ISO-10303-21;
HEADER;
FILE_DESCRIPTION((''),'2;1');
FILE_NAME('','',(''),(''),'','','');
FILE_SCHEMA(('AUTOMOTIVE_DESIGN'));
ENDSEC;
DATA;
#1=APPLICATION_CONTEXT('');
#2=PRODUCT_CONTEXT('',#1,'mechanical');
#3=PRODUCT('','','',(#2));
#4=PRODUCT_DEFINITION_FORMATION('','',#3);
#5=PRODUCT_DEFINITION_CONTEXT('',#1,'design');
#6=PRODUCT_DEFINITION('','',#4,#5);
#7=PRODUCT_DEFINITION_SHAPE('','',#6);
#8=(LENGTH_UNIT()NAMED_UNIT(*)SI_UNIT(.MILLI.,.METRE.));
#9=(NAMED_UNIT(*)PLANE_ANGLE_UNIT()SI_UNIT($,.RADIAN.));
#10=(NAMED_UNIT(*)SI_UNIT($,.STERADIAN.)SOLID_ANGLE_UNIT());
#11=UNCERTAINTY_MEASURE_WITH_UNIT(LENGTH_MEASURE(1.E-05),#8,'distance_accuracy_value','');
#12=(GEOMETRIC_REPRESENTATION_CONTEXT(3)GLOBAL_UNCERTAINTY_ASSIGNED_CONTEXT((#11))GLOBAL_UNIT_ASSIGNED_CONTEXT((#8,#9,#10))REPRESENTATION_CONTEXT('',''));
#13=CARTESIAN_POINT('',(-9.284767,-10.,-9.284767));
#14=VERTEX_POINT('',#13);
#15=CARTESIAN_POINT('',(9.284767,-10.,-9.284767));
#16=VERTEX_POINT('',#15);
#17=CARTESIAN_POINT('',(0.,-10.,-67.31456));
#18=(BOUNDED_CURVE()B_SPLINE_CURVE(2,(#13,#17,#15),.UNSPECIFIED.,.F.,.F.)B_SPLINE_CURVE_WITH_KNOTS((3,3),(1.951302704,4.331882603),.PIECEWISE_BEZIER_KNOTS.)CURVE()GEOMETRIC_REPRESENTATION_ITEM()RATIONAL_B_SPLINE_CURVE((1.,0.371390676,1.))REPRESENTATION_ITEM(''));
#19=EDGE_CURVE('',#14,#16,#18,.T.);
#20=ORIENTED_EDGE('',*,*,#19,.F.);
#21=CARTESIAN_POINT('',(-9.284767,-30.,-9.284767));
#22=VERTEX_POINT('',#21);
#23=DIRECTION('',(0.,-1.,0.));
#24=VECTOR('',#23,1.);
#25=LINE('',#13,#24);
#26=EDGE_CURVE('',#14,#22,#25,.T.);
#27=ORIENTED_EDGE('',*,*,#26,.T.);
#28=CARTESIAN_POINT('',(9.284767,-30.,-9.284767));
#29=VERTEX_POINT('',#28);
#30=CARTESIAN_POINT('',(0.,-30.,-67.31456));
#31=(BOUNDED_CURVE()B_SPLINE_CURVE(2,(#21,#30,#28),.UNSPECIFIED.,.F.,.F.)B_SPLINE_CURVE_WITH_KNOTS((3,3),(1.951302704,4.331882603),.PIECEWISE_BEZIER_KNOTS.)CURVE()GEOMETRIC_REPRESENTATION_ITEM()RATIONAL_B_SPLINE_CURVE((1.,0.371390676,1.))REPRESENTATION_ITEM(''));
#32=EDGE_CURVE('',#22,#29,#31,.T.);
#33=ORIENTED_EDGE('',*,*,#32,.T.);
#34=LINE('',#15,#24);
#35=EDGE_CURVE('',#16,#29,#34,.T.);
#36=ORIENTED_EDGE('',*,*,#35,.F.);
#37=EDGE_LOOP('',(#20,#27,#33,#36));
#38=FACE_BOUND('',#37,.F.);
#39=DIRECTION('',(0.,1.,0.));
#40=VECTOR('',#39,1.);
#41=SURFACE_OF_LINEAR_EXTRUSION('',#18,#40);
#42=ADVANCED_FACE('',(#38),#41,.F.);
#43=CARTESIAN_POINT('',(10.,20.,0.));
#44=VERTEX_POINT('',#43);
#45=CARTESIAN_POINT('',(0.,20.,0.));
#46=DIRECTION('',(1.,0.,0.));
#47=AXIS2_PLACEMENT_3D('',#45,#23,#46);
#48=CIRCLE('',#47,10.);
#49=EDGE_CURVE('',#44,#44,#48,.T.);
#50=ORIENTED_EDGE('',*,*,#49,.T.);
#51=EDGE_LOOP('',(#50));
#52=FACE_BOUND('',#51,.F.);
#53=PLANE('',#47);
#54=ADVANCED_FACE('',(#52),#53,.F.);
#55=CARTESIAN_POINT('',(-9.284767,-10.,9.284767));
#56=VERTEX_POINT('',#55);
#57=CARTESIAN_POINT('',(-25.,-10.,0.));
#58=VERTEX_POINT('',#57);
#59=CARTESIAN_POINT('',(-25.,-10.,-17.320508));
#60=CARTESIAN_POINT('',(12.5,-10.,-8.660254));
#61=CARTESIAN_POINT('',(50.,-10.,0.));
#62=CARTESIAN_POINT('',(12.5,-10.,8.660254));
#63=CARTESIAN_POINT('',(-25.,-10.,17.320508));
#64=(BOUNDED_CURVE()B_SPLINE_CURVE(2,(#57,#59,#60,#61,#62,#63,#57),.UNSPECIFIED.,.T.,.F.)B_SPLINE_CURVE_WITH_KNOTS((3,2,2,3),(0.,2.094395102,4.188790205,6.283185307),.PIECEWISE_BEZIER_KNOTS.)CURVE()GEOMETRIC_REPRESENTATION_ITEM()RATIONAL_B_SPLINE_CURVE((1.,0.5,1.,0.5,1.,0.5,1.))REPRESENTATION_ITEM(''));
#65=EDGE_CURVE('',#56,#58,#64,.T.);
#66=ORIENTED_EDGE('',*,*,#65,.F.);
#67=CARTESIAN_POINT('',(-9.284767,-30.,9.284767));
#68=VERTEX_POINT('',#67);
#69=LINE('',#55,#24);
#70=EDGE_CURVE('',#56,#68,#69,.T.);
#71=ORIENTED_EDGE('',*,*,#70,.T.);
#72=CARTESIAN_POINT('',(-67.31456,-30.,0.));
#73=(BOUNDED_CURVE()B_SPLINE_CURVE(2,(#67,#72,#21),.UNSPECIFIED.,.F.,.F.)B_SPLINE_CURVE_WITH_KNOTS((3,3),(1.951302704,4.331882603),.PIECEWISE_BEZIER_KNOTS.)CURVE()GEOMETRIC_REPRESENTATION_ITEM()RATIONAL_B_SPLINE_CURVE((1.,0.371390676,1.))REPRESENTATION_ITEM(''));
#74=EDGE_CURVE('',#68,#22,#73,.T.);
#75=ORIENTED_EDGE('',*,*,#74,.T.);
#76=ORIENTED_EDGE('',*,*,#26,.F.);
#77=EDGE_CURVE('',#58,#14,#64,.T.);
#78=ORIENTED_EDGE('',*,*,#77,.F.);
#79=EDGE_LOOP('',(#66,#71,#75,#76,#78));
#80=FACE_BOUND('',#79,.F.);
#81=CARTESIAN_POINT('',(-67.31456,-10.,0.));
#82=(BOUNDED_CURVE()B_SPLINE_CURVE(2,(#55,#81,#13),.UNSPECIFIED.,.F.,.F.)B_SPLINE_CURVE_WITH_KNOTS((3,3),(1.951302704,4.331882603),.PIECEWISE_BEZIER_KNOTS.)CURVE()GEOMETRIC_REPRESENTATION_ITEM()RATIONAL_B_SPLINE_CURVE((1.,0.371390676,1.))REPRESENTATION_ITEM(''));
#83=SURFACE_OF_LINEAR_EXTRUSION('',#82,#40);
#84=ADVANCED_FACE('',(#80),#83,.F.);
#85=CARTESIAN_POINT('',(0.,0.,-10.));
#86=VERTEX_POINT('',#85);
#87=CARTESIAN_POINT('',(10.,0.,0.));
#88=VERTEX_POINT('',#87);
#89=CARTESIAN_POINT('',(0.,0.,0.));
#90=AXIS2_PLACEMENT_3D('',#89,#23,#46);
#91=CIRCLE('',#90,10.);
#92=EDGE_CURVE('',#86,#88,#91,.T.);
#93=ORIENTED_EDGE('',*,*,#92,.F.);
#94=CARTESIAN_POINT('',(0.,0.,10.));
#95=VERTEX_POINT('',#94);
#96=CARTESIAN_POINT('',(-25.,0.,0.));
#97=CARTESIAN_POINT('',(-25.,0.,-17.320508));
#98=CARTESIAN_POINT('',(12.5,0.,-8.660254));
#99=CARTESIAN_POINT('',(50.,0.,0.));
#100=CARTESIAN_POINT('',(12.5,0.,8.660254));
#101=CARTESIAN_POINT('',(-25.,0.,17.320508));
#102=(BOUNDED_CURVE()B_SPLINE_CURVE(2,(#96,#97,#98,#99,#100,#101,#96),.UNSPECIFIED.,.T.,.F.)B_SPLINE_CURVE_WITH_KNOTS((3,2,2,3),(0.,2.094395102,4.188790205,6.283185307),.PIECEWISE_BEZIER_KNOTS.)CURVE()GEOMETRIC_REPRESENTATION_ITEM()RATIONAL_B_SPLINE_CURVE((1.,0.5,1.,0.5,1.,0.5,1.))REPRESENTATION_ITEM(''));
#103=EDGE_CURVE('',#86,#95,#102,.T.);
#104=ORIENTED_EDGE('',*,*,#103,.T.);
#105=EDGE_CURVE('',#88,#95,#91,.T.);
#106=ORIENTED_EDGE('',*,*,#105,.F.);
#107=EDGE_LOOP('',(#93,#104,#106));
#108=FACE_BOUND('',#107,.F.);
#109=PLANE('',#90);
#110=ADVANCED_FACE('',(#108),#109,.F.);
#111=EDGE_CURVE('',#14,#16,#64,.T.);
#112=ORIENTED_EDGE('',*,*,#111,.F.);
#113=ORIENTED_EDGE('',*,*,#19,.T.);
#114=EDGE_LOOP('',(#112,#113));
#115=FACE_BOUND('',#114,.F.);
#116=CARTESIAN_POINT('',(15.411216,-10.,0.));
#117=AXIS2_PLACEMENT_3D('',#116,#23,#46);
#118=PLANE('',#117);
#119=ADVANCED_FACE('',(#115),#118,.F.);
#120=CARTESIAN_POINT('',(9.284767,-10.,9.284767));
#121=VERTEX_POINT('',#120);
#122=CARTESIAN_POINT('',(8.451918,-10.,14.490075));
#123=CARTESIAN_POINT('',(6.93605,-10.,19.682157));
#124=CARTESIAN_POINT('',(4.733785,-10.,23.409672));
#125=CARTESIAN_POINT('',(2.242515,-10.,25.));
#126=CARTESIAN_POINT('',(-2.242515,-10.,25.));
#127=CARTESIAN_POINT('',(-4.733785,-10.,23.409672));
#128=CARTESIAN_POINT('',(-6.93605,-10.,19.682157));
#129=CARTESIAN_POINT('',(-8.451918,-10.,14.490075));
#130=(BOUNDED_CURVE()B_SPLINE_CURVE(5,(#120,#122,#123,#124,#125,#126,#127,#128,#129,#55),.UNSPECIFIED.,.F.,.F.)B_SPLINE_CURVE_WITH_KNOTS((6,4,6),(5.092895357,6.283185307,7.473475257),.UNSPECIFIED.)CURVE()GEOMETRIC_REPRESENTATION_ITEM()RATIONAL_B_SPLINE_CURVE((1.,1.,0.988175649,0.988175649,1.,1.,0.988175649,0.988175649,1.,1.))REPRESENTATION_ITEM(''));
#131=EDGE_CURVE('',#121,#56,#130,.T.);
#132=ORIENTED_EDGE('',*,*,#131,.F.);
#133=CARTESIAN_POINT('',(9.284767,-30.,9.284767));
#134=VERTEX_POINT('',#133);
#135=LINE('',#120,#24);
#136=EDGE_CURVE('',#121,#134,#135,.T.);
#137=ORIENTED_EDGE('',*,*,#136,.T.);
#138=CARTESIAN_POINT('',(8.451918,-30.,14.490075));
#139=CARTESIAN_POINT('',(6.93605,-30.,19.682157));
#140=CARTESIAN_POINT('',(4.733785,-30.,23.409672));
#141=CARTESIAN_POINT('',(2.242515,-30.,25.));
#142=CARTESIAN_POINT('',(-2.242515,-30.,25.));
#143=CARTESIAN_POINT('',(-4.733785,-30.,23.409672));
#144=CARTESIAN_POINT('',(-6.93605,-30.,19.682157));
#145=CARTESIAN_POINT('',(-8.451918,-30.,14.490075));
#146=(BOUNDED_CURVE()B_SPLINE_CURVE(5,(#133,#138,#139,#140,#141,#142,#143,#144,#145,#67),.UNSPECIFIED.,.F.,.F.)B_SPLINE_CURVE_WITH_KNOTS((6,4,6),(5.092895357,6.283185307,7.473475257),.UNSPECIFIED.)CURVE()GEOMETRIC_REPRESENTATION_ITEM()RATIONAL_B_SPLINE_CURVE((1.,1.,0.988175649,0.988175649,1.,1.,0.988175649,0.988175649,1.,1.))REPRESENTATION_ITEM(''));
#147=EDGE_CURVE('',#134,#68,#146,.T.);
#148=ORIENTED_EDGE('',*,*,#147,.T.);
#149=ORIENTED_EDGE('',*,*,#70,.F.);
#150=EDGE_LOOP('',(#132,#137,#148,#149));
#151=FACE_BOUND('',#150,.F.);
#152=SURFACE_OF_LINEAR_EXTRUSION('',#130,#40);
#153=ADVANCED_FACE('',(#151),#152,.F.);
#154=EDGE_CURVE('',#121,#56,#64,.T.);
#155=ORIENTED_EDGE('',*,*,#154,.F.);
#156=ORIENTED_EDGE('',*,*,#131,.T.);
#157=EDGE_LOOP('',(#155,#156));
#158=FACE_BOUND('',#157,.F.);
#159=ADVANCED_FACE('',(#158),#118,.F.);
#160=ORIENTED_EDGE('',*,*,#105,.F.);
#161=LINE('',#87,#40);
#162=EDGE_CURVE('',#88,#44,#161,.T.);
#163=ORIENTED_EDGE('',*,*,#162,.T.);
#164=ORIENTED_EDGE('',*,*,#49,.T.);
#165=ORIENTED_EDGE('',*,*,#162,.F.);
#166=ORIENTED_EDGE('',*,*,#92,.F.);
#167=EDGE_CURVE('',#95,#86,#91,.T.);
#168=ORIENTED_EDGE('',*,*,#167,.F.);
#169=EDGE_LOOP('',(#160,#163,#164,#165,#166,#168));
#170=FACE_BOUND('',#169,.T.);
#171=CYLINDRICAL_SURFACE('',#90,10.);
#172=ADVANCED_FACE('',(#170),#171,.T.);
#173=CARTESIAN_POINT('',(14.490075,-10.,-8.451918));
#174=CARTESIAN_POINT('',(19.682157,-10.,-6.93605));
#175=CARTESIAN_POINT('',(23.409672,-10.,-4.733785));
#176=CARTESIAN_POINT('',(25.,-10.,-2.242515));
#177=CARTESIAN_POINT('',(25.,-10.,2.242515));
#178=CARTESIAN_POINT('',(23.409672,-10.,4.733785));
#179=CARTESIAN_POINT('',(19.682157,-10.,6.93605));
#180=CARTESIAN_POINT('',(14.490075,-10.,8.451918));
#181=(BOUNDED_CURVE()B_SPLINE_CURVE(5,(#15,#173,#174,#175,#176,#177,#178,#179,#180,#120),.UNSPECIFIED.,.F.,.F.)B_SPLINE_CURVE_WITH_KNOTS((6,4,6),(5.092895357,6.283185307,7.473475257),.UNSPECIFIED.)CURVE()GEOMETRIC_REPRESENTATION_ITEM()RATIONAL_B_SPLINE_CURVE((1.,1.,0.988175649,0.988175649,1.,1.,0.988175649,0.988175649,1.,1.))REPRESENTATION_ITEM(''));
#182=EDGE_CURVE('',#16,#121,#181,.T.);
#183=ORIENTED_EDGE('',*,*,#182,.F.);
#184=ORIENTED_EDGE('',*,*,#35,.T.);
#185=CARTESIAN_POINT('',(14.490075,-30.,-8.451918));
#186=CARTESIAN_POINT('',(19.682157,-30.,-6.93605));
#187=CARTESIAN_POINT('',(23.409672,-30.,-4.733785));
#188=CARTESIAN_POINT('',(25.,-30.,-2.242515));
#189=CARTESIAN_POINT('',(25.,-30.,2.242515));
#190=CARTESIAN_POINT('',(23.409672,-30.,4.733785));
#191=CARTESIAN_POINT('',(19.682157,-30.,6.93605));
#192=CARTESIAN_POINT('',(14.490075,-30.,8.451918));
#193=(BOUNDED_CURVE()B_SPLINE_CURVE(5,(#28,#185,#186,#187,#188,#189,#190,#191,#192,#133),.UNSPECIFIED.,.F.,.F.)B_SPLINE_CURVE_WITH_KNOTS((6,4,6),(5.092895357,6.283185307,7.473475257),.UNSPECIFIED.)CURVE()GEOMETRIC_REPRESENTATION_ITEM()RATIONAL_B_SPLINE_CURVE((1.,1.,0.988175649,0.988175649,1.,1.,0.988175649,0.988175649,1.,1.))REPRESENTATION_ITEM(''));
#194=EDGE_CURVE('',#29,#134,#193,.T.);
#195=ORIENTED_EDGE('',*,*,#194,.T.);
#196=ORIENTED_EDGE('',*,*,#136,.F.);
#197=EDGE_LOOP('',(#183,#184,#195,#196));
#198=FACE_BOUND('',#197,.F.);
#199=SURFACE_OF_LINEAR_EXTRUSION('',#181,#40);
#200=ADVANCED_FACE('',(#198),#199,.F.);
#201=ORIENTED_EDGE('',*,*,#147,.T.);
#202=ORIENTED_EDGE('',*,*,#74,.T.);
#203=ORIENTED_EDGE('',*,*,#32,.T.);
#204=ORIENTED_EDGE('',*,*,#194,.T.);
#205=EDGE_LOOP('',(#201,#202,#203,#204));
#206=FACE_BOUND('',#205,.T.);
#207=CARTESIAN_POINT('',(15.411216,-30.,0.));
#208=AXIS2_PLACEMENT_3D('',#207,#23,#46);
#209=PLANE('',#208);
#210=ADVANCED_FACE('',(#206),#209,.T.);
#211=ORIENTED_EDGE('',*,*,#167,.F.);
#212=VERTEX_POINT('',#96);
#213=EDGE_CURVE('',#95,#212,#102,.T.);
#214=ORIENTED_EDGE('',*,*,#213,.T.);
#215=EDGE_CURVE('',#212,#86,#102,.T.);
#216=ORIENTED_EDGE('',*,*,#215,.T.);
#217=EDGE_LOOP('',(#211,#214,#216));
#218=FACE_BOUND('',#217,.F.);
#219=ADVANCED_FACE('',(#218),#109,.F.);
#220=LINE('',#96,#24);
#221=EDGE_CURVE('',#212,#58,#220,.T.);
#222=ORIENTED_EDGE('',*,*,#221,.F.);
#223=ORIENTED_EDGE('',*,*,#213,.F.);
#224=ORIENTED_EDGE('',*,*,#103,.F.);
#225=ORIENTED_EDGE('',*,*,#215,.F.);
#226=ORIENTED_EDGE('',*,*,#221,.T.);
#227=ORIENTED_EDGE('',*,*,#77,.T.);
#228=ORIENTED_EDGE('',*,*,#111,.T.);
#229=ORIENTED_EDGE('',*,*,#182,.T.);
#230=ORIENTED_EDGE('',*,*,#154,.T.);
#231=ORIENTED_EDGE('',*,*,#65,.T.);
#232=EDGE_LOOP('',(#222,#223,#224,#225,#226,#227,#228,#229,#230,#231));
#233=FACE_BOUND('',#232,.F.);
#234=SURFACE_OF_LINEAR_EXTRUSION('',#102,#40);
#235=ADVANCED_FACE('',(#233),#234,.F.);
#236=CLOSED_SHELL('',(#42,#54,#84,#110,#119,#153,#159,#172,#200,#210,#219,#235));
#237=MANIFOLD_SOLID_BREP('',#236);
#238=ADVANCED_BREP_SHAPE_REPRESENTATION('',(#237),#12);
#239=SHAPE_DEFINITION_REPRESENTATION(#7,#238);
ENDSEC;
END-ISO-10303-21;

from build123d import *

# Parameters (mm, degrees)
F1_DEPTH = 10
F2_R     = 10
F3_DEPTH = 20
F5_DEPTH = 20


with BuildPart() as f1:
    # F0 (on Front) → F1 (new body)
    with BuildSketch(Plane.XZ):
        with BuildLine():
            add(Edge.make_bspline(
                [(-25, 0), (-25, -17.3205080757), (12.5, -8.6602540378), (50, 0), (12.5, 8.6602540378), (-25, 17.3205080757), (-25, 0)],
                knots=[0, 0, 0, 2.0943951024, 2.0943951024, 4.1887902048, 4.1887902048, 6.2831853072, 6.2831853072, 6.2831853072], degree=2, weights=[1, 0.5, 1, 0.5, 1, 0.5, 1]))
        make_face()
    extrude(amount=F1_DEPTH)

    # F2 (on Front) → F3 (join)
    with BuildSketch(Plane.XZ):
        Circle(F2_R)
    extrude(amount=-F3_DEPTH)

    # F4 (on face) → F5 (join)
    with BuildSketch(Plane.XZ.offset(10)):
        with BuildLine():
            add(Edge.make_bspline(
                [(9.2847669089, -9.2847669089), (25, -6.7703296143), (25, 0)],
                knots=[5.0928953575, 5.0928953575, 5.0928953575, 6.2831853072, 6.2831853072, 6.2831853072], degree=2, weights=[1, 0.8280672305, 1]))
            add(Edge.make_bspline(
                [(25, 0), (25, 6.7703296143), (9.2847669089, 9.2847669089)],
                knots=[0, 0, 0, 1.1902899497, 1.1902899497, 1.1902899497], degree=2, weights=[1, 0.8280672305, 1]))
            add(Edge.make_bspline(
                [(9.2847669089, -9.2847669089), (10.7703296143, 0), (9.2847669089, 9.2847669089)],
                knots=[4.3318826033, 4.3318826033, 4.3318826033, 5.0928953575, 5.0928953575, 5.0928953575], degree=2, weights=[1, 0.9284766909, 1]))
        make_face()
        with BuildLine():
            add(Edge.make_bspline(
                [(9.2847669089, -9.2847669089), (10.7703296143, 0), (9.2847669089, 9.2847669089)],
                knots=[4.3318826033, 4.3318826033, 4.3318826033, 5.0928953575, 5.0928953575, 5.0928953575], degree=2, weights=[1, 0.9284766909, 1]))
            add(Edge.make_bspline(
                [(9.2847669089, 9.2847669089), (0, 10.7703296143), (-9.2847669089, 9.2847669089)],
                knots=[1.1902899497, 1.1902899497, 1.1902899497, 1.9513027039, 1.9513027039, 1.9513027039], degree=2, weights=[1, 0.9284766909, 1]))
            add(Edge.make_bspline(
                [(-9.2847669089, 9.2847669089), (-10.7703296143, 0), (-9.2847669089, -9.2847669089)],
                knots=[1.1902899497, 1.1902899497, 1.1902899497, 1.9513027039, 1.9513027039, 1.9513027039], degree=2, weights=[1, 0.9284766909, 1]))
            add(Edge.make_bspline(
                [(-9.2847669089, -9.2847669089), (0, -10.7703296143), (9.2847669089, -9.2847669089)],
                knots=[4.3318826033, 4.3318826033, 4.3318826033, 5.0928953575, 5.0928953575, 5.0928953575], degree=2, weights=[1, 0.9284766909, 1]))
        make_face()
        with BuildLine():
            add(Edge.make_bspline(
                [(9.2847669089, 9.2847669089), (0, 10.7703296143), (-9.2847669089, 9.2847669089)],
                knots=[1.1902899497, 1.1902899497, 1.1902899497, 1.9513027039, 1.9513027039, 1.9513027039], degree=2, weights=[1, 0.9284766909, 1]))
            add(Edge.make_bspline(
                [(9.2847669089, 9.2847669089), (6.7703296143, 25), (0, 25)],
                knots=[5.0928953575, 5.0928953575, 5.0928953575, 6.2831853072, 6.2831853072, 6.2831853072], degree=2, weights=[1, 0.8280672305, 1]))
            add(Edge.make_bspline(
                [(0, 25), (-6.7703296143, 25), (-9.2847669089, 9.2847669089)],
                knots=[0, 0, 0, 1.1902899497, 1.1902899497, 1.1902899497], degree=2, weights=[1, 0.8280672305, 1]))
        make_face()
        with BuildLine():
            add(Edge.make_bspline(
                [(-9.2847669089, -9.2847669089), (0, -67.3145600892), (9.2847669089, -9.2847669089)],
                knots=[1.9513027039, 1.9513027039, 1.9513027039, 4.3318826033, 4.3318826033, 4.3318826033], degree=2, weights=[1, 0.3713906764, 1]))
            add(Edge.make_bspline(
                [(-9.2847669089, -9.2847669089), (0, -10.7703296143), (9.2847669089, -9.2847669089)],
                knots=[4.3318826033, 4.3318826033, 4.3318826033, 5.0928953575, 5.0928953575, 5.0928953575], degree=2, weights=[1, 0.9284766909, 1]))
        make_face()
        with BuildLine():
            add(Edge.make_bspline(
                [(-9.2847669089, 9.2847669089), (-10.7703296143, 0), (-9.2847669089, -9.2847669089)],
                knots=[1.1902899497, 1.1902899497, 1.1902899497, 1.9513027039, 1.9513027039, 1.9513027039], degree=2, weights=[1, 0.9284766909, 1]))
            add(Edge.make_bspline(
                [(-9.2847669089, 9.2847669089), (-67.3145600892, 0), (-9.2847669089, -9.2847669089)],
                knots=[1.9513027039, 1.9513027039, 1.9513027039, 4.3318826033, 4.3318826033, 4.3318826033], degree=2, weights=[1, 0.3713906764, 1]))
        make_face()
    extrude(amount=F5_DEPTH)


solid = f1.part
